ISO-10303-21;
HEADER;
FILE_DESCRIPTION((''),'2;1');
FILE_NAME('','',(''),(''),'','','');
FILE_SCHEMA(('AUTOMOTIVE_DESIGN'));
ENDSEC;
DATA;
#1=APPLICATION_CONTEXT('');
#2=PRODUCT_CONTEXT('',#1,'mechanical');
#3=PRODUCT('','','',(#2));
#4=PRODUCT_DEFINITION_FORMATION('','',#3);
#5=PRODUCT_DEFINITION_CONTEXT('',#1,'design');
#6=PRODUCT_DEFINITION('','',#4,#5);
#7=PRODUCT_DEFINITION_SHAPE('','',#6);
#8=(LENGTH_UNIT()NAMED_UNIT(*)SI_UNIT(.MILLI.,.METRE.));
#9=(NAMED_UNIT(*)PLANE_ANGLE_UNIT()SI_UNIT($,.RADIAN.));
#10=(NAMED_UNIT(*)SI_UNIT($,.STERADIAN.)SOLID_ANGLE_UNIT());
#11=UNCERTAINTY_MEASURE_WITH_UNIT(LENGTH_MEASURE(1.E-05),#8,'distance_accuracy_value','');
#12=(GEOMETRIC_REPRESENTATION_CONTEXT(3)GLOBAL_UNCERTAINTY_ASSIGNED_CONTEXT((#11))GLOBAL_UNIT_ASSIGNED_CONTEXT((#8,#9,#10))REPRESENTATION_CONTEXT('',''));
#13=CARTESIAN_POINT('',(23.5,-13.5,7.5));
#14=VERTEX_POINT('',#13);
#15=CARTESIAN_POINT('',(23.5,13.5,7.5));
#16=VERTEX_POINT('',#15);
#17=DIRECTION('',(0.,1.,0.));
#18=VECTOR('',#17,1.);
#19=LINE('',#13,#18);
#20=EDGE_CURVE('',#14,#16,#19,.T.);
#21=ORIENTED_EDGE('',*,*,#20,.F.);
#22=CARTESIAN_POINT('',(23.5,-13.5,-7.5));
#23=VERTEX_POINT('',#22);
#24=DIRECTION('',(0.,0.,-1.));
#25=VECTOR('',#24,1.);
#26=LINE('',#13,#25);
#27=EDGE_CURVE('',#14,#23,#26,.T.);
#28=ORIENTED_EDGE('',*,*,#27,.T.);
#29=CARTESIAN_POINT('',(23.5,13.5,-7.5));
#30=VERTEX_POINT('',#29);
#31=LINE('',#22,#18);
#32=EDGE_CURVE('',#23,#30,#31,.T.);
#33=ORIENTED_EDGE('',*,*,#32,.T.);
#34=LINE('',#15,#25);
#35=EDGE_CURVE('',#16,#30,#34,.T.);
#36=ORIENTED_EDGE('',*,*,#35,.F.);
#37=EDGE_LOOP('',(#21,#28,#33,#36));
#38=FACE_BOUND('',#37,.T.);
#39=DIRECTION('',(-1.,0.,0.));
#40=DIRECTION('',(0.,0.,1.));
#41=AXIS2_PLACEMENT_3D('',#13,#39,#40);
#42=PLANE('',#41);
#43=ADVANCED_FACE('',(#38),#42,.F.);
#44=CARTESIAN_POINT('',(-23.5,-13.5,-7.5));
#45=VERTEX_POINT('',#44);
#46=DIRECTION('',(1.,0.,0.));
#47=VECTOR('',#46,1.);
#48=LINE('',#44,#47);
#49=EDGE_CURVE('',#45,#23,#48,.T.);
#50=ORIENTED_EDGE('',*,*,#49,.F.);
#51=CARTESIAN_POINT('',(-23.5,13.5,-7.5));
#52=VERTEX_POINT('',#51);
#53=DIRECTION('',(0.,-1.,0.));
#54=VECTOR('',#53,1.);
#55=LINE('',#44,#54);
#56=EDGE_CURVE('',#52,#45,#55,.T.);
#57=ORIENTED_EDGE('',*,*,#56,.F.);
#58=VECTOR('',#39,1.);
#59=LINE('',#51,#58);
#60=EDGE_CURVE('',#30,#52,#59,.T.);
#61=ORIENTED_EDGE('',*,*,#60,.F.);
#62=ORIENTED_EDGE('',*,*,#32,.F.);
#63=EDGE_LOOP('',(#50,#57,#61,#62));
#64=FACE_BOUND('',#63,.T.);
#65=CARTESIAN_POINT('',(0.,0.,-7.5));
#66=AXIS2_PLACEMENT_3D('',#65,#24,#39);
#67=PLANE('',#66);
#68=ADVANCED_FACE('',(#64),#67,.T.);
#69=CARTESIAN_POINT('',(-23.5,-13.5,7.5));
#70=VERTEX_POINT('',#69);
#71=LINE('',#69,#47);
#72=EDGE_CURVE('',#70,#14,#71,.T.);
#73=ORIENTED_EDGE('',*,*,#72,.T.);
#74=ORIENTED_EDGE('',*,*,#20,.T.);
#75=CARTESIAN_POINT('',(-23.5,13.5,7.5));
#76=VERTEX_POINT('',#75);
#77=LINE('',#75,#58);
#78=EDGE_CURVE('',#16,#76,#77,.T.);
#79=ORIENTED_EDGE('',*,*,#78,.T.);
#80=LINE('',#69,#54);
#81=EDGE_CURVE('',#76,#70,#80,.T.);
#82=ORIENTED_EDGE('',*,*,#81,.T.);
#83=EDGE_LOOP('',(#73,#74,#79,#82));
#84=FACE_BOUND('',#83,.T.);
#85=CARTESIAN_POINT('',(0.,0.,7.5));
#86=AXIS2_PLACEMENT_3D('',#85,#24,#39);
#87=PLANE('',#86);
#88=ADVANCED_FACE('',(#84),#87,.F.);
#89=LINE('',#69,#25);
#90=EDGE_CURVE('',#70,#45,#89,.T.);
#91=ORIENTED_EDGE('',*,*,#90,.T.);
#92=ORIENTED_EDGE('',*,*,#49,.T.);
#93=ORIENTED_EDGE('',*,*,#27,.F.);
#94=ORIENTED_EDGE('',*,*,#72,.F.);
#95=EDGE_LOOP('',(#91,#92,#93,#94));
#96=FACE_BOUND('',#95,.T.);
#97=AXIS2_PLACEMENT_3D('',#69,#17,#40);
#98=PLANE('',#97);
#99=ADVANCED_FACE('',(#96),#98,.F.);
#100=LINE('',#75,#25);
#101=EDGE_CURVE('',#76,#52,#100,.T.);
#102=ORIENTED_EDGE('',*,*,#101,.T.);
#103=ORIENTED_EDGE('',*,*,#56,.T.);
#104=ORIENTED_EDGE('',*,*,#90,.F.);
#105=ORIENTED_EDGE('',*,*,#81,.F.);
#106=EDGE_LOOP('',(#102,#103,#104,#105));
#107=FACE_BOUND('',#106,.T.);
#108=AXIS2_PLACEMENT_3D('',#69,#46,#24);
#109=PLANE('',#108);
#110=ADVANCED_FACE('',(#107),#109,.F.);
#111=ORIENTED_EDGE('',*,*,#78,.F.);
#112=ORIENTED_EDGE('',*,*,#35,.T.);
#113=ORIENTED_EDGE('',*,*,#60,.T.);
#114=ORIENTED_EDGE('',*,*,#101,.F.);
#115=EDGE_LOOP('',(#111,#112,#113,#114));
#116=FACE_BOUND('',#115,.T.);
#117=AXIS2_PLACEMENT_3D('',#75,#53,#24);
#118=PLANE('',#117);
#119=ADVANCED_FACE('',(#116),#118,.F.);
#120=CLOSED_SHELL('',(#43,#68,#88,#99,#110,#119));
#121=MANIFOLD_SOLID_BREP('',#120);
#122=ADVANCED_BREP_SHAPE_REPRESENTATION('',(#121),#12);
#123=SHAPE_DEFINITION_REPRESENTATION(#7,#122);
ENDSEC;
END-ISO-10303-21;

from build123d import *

# Parameters (mm, degrees)
SKETCH_1_W      = 47
SKETCH_1_H      = 27
EXTRUDE_1_DEPTH = 7.5


with BuildPart() as part:
    # Эскиз1 → Бобышка-Вытянуть1 (new body, symmetric)
    with BuildSketch(Plane.XY):
        Rectangle(SKETCH_1_W, SKETCH_1_H)
    extrude(amount=EXTRUDE_1_DEPTH, both=True)


solid = part.part
